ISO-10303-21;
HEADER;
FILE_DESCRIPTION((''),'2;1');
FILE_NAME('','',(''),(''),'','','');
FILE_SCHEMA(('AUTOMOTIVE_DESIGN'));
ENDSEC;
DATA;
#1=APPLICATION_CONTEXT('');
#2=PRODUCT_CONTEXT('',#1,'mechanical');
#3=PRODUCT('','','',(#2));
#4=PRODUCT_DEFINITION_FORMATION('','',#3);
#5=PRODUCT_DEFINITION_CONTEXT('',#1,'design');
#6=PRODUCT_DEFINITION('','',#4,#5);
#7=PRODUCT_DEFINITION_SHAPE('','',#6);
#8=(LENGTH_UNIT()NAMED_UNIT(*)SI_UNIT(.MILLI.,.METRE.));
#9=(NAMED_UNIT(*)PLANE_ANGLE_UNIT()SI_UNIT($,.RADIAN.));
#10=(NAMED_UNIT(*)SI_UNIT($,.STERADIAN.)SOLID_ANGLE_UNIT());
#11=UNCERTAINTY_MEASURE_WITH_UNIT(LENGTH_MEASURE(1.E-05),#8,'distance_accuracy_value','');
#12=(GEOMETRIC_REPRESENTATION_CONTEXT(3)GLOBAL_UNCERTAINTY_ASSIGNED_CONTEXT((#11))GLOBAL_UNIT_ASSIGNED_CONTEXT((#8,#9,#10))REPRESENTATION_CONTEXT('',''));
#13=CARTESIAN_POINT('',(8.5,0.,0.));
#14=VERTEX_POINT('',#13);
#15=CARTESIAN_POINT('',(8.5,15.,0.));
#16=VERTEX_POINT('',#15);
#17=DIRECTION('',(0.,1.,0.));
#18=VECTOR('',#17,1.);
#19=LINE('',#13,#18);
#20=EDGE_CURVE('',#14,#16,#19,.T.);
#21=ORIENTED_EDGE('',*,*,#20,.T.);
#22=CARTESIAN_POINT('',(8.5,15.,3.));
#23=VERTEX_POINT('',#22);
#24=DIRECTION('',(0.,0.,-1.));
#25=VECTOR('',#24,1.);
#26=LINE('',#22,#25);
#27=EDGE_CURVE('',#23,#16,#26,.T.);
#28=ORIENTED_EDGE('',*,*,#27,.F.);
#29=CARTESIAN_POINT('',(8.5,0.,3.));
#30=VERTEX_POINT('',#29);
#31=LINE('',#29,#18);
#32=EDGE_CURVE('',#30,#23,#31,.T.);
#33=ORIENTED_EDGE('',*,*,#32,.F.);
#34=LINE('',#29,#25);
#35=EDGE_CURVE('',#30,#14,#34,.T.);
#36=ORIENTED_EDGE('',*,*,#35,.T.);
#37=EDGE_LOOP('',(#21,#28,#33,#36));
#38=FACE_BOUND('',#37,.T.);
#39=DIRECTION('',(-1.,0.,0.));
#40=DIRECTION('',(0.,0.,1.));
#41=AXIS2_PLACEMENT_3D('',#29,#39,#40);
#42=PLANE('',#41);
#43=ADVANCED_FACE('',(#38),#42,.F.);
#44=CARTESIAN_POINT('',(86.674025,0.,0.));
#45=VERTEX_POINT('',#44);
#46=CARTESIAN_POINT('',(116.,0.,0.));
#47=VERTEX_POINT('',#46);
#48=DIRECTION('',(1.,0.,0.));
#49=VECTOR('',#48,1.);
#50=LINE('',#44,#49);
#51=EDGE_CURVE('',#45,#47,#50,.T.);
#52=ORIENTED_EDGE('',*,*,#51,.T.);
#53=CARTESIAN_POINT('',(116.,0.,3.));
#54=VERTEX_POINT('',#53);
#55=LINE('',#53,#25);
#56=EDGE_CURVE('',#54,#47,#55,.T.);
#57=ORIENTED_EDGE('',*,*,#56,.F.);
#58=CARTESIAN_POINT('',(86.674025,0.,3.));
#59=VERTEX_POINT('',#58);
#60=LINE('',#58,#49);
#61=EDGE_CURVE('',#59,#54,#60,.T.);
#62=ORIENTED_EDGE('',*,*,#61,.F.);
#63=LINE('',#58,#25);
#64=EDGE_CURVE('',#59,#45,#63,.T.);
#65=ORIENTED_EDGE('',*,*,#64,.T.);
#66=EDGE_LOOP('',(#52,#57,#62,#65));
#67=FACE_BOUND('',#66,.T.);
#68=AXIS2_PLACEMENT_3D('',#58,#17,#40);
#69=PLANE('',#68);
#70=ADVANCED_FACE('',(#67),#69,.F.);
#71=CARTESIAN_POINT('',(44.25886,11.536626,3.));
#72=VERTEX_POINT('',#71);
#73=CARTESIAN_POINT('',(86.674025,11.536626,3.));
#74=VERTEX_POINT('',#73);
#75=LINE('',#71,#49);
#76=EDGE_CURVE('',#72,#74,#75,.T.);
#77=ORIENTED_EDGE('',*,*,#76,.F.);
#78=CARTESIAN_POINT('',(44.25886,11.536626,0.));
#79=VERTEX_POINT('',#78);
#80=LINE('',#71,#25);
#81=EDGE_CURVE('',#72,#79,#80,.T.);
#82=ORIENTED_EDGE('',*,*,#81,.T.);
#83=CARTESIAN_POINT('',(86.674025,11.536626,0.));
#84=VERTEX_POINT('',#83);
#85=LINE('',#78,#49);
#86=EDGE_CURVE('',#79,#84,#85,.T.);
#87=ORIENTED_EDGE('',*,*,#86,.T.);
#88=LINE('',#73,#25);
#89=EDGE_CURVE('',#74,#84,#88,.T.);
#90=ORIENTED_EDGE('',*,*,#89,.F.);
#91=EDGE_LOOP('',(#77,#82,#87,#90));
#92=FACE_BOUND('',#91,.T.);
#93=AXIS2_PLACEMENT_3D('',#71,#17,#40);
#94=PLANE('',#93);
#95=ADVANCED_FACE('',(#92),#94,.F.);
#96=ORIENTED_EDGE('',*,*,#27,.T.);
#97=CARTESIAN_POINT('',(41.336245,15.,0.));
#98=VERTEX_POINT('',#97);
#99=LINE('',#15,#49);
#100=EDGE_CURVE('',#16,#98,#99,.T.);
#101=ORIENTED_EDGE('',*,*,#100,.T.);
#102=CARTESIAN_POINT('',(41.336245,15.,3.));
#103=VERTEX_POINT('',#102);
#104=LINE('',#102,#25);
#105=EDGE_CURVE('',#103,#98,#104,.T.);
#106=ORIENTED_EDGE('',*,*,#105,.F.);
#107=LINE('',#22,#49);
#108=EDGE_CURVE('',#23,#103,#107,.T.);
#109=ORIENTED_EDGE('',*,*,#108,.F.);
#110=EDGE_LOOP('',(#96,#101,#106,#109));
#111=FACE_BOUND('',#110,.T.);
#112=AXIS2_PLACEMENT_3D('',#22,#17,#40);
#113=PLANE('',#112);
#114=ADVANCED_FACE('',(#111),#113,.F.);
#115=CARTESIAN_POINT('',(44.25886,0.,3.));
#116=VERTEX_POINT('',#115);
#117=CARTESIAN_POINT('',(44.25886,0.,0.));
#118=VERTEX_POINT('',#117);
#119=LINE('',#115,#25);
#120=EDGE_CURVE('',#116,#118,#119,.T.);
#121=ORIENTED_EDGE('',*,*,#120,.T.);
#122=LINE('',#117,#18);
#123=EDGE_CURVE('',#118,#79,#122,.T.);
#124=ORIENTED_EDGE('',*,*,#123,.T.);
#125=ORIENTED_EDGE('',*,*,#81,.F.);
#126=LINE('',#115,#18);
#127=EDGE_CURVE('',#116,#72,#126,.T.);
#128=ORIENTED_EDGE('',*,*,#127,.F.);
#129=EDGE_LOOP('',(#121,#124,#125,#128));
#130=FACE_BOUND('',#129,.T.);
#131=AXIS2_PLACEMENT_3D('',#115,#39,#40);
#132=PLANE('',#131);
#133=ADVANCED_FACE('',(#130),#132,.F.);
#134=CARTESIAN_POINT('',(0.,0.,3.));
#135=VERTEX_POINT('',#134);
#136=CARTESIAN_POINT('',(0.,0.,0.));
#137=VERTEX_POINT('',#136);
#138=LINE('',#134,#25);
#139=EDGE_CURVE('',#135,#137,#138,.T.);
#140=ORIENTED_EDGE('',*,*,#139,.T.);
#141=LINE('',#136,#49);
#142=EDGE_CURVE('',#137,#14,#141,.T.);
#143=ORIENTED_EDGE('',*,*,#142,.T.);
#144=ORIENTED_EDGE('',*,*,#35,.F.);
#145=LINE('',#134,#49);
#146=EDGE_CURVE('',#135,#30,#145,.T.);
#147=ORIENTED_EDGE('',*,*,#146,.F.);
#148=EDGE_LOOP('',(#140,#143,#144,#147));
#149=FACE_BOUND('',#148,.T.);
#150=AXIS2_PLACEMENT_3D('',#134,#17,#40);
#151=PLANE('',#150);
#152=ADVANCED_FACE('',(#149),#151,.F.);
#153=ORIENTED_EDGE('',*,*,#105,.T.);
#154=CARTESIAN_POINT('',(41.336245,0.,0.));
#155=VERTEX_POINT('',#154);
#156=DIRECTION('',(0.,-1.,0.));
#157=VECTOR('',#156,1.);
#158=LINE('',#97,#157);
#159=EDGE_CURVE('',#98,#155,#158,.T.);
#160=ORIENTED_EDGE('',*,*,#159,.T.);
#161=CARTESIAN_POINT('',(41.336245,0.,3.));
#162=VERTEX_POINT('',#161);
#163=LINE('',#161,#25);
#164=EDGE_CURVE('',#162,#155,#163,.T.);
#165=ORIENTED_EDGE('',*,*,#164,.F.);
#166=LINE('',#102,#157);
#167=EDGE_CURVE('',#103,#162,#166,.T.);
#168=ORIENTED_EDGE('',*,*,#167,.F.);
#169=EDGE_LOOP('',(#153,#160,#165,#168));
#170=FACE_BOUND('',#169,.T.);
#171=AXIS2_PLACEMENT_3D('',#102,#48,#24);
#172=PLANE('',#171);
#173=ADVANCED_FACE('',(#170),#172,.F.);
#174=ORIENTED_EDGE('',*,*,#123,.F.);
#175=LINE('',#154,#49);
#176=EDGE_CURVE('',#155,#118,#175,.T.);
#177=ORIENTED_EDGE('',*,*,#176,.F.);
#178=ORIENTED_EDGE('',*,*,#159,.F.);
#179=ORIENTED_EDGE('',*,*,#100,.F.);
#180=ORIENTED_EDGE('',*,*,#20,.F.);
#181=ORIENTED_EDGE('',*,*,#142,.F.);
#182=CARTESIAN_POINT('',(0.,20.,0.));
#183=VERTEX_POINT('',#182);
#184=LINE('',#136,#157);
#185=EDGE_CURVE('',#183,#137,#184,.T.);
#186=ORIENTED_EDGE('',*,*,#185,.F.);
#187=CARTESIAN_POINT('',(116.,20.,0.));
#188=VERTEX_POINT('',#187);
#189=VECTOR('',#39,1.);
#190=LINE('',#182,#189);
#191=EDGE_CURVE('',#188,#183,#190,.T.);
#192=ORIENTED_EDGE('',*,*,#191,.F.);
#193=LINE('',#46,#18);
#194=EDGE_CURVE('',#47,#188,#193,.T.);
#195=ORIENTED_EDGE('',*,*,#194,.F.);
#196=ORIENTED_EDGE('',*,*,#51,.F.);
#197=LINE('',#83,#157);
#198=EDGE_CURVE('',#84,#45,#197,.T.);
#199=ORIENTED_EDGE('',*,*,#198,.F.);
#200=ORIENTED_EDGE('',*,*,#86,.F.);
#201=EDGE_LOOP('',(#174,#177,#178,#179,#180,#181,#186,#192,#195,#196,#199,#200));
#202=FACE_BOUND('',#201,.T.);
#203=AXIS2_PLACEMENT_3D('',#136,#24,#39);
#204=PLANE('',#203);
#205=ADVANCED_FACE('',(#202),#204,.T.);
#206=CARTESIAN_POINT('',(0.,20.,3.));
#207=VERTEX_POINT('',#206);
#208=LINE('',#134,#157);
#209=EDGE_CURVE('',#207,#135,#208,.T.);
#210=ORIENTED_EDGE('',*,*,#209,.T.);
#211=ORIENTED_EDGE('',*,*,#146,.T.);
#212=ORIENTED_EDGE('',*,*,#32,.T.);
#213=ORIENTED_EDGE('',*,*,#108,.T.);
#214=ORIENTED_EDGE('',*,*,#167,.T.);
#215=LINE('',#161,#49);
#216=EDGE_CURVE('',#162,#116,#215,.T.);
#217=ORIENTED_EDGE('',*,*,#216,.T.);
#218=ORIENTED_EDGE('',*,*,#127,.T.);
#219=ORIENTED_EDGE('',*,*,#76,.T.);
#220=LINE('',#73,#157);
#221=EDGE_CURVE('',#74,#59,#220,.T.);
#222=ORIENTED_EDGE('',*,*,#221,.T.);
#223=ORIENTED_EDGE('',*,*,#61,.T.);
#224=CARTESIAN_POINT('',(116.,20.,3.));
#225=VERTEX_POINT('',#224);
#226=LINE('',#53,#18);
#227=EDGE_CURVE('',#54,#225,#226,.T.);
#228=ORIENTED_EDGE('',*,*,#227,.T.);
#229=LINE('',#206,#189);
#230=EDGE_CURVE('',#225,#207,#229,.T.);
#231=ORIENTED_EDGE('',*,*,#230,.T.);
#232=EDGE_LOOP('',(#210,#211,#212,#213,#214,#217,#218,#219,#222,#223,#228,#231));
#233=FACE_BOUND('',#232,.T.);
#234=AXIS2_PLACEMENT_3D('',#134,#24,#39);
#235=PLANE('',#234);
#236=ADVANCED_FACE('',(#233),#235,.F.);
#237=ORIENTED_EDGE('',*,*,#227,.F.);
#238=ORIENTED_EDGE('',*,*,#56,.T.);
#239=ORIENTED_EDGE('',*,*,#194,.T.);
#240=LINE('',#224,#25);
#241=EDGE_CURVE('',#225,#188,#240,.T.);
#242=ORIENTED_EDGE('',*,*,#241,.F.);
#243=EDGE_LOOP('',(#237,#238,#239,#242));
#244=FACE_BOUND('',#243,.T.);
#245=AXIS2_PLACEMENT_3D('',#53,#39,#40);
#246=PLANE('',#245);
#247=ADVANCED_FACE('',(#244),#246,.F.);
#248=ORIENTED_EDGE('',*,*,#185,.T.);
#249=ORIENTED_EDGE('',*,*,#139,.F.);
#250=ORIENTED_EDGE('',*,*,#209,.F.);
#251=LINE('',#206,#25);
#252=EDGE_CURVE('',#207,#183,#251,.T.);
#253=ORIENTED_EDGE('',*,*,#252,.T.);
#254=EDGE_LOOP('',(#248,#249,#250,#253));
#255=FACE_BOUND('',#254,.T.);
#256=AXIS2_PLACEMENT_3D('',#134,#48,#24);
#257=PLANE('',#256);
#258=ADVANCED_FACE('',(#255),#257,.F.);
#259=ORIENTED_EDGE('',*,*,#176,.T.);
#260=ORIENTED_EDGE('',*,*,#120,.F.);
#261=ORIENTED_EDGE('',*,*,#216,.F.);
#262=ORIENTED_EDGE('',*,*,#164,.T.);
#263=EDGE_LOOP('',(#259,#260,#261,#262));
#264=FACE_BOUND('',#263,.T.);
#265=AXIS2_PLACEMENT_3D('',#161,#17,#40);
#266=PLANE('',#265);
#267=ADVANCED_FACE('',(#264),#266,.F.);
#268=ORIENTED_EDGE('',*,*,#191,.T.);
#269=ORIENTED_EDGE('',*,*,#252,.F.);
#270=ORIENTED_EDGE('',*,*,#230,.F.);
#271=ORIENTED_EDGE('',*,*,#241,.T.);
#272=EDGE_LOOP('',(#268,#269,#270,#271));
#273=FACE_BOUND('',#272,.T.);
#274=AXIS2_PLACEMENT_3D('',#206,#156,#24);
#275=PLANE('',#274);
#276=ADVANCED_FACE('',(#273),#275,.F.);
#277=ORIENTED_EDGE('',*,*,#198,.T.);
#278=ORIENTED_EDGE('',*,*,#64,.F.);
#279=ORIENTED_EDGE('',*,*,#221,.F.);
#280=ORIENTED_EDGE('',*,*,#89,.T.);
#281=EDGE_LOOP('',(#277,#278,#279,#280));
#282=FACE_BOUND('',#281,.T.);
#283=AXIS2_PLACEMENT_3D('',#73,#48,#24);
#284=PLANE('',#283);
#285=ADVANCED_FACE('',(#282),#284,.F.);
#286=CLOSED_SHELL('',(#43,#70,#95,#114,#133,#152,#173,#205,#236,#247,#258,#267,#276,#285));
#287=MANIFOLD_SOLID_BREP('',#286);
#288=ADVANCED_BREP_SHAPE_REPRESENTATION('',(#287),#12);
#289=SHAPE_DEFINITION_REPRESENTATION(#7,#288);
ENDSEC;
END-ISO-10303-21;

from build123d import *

# Parameters (mm, degrees)
BOSS_EXTRUDE1_DEPTH = 3


with BuildPart() as part:
    # Sketch1 → Boss-Extrude1 (new body)
    with BuildSketch(Plane.XY):
        Polygon((0, 0), (8.5, 0), (8.5, 15), (41.336244699, 15), (41.336244699, 0), (44.258859767, 0), (44.258859767, 11.536626376), (86.674025379, 11.536626376), (86.674025379, 0), (116, 0), (116, 20), (0, 20), align=None)
    extrude(amount=BOSS_EXTRUDE1_DEPTH)


solid = part.part
